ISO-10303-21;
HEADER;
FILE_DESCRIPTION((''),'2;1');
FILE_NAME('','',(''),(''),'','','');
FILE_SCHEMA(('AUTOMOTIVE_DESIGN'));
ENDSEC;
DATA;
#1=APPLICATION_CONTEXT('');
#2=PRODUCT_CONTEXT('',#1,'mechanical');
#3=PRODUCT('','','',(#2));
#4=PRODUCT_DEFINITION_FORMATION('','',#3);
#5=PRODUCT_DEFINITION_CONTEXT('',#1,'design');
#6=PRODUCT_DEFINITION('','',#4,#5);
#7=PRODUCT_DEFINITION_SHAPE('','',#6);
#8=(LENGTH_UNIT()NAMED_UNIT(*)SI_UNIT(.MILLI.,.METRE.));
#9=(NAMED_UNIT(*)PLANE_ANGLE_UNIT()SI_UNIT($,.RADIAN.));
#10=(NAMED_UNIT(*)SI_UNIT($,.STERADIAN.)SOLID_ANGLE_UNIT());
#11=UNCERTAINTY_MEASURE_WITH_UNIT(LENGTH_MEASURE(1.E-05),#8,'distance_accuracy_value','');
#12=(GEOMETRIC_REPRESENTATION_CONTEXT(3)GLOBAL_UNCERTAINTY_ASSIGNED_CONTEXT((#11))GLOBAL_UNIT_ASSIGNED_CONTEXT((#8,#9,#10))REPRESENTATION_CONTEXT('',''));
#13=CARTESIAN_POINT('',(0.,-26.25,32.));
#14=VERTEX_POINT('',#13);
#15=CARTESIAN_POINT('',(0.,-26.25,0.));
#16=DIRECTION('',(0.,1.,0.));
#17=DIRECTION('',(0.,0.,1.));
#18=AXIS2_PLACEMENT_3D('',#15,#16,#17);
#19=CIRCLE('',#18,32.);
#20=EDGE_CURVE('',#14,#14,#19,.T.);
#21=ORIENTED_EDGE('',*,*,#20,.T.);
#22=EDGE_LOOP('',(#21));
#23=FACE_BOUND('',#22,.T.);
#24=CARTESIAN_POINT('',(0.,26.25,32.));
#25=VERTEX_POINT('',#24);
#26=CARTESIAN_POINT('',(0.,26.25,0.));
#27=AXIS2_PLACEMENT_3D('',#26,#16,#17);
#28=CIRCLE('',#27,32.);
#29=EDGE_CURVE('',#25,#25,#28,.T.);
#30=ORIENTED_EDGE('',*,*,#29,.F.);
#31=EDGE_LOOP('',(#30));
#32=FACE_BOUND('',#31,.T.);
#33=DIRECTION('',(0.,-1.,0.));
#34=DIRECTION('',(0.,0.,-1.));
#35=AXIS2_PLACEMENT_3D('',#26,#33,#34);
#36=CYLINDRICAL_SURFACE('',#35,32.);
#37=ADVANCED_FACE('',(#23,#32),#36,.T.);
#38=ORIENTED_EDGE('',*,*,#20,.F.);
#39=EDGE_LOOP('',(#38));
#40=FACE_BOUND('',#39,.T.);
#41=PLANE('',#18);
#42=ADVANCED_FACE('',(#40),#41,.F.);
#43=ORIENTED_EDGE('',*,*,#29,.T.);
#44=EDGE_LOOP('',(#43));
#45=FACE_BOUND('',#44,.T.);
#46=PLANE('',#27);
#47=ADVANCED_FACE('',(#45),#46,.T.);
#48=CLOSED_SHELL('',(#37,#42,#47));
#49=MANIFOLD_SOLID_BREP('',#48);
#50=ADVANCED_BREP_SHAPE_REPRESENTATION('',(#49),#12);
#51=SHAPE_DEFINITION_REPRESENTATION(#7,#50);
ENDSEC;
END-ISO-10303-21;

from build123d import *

# Parameters (mm, degrees)
SKETCH1_R           = 32
BOSS_EXTRUDE1_DEPTH = 26.25


with BuildPart() as part:
    # Sketch1 → Boss-Extrude1 (new body, symmetric)
    with BuildSketch(Plane(origin=(0, 0, 0), x_dir=(1, 0, 0), z_dir=(0, 1, 0))):
        Circle(SKETCH1_R)
    extrude(amount=BOSS_EXTRUDE1_DEPTH, both=True)


solid = part.part
